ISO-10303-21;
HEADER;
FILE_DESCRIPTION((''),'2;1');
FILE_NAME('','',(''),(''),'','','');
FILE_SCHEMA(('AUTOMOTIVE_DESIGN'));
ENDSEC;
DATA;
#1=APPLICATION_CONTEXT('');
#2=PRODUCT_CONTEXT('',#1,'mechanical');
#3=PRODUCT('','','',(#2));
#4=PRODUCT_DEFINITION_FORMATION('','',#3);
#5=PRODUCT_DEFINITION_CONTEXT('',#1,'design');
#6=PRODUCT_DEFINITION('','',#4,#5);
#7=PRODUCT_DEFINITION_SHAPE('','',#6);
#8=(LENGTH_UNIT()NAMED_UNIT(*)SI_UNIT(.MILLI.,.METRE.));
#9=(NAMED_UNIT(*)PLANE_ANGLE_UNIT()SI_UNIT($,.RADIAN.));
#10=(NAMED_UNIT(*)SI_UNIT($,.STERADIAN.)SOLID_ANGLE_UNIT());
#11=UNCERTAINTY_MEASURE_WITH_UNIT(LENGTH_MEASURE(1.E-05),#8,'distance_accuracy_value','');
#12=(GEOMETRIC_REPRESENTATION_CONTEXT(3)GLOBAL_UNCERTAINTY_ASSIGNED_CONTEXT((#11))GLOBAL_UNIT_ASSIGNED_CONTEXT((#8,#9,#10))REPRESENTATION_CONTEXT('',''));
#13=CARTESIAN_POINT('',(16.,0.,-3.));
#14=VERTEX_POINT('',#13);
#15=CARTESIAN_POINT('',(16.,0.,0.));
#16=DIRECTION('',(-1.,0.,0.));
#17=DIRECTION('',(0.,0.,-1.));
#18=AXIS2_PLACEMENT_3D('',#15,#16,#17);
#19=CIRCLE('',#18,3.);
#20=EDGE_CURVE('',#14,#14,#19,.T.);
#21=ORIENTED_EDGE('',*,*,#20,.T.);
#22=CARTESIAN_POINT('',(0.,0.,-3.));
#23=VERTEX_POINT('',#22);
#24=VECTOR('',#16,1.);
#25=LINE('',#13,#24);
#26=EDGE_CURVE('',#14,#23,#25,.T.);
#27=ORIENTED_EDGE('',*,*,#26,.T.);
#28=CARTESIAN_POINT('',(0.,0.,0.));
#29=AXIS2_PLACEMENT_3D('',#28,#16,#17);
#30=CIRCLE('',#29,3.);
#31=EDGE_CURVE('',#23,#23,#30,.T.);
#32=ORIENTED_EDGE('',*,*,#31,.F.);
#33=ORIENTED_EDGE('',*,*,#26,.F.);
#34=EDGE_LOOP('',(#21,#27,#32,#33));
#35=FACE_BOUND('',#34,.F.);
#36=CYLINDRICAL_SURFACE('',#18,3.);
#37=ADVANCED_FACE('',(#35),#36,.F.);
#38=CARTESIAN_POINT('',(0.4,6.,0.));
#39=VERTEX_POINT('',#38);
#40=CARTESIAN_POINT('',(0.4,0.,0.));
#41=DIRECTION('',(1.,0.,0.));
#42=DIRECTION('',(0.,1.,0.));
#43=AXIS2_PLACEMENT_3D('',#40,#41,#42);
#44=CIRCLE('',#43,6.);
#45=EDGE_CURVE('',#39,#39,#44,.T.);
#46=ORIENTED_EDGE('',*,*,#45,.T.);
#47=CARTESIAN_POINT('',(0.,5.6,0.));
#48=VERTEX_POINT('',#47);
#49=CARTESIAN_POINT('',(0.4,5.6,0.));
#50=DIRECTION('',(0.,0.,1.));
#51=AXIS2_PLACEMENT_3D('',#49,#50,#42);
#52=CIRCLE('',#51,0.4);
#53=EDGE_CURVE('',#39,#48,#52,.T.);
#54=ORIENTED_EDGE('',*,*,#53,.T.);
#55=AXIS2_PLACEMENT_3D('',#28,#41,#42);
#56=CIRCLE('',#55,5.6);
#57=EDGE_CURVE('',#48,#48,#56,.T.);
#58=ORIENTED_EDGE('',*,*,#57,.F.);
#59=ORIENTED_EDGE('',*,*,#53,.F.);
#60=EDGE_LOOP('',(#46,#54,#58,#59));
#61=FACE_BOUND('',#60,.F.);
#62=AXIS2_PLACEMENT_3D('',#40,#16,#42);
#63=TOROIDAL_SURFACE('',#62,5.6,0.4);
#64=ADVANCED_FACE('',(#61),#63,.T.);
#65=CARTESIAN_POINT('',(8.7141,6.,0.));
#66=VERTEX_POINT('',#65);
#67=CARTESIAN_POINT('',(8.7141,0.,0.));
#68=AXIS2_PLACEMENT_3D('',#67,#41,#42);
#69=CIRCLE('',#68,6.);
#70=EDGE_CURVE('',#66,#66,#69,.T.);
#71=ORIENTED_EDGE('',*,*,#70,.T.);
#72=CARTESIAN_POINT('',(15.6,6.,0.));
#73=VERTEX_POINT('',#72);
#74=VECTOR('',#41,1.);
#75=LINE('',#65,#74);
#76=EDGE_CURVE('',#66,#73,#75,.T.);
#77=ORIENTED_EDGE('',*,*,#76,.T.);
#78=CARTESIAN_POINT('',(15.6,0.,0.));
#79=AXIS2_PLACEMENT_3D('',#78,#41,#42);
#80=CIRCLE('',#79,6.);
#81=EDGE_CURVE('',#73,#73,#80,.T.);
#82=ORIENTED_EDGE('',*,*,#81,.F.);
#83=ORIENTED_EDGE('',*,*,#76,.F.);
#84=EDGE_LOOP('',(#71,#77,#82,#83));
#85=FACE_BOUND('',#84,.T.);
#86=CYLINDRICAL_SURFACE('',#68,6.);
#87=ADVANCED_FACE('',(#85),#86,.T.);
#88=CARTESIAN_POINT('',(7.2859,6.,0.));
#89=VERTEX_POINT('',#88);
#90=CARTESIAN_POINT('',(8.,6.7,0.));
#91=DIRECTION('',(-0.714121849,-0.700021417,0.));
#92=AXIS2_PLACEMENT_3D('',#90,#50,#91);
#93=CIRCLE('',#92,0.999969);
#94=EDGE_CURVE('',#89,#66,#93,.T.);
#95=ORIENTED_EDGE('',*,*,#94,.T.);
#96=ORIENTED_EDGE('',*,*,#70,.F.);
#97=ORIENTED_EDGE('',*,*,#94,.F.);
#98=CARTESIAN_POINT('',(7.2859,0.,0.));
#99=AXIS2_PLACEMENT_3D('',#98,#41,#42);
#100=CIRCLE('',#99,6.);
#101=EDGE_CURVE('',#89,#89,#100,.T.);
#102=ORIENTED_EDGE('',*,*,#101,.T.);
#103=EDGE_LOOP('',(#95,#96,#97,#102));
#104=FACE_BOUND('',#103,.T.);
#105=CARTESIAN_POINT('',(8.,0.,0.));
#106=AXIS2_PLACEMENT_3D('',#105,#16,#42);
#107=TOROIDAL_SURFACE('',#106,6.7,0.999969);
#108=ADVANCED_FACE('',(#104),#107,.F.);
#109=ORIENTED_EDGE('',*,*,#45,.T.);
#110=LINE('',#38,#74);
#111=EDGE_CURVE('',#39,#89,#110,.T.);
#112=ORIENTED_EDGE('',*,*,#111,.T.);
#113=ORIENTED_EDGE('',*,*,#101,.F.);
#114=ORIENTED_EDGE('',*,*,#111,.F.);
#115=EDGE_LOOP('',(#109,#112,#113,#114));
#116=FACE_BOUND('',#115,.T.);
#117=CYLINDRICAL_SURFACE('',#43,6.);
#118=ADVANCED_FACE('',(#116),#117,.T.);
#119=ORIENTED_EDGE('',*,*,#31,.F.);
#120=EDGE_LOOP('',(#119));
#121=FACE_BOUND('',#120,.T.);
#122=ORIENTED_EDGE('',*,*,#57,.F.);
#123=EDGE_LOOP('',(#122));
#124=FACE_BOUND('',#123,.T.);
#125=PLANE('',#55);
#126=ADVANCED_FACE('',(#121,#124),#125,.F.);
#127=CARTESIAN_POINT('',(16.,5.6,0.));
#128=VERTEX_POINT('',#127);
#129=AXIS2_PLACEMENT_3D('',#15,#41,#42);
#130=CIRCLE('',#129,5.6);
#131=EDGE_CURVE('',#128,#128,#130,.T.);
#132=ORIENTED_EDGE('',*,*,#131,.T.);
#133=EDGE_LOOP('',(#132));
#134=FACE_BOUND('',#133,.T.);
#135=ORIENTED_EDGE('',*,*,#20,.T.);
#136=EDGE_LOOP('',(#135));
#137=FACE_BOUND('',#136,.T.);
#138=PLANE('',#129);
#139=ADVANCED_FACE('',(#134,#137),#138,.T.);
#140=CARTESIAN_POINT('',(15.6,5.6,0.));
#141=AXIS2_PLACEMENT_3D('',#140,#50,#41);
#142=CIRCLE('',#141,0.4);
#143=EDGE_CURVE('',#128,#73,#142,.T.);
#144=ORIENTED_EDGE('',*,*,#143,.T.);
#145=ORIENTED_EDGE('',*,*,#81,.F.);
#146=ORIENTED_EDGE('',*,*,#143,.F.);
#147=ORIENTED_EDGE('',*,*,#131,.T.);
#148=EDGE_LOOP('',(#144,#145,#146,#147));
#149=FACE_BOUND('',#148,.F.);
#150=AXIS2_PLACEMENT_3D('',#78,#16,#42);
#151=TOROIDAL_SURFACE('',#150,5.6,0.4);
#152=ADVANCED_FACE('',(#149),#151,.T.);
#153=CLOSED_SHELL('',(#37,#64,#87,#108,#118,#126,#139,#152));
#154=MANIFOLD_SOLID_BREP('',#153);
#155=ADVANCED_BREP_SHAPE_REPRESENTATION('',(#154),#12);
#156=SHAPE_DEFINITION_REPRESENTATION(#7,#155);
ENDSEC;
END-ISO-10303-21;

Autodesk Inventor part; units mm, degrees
ref_plane "YZ Plane" through (0, 0, 0) normal (1, 0, 0) x (0, 1, 0)
ref_plane "XZ Plane" through (0, 0, 0) normal (0, 1, 0) x (-1, 0, 0)
ref_plane "XY Plane" through (0, 0, 0) normal (0, 0, 1) x (1, 0, 0)
sketch "Sketch_1" plane through (0, 0, 0) normal (0, 0, 1) x (1, 0, 0)
  line L0 (16, 0) -> (0, 0)
  line L1 (0, 0) -> (0, 5.6)
  arc A0 (0.4, 6) -> (0, 5.6) centre (0.4, 5.6) ccw
  line L2 (0.4, 6) -> (7.2859, 6)
  arc A1 (7.2859, 6) -> (8.7141, 6) centre (8, 6.7) ccw
  line L3 (8.7141, 6) -> (15.6, 6)
  arc A2 (16, 5.6) -> (15.6, 6) centre (15.6, 5.6) ccw
  line L4 (16, 5.6) -> (16, 0)
  line L5 (16, 0) -> (0, 0)
revolve "Revolution1" add sketch "Sketch_1" angle 360 about axis through (16, 0, 0) along (1, 0, 0)
sketch "Sketch2" plane through (16, 0, 0) normal (1, 0, 0) x (0, 0, -1)
  point P0 (0, 0)
hole "Hole1" at (16, 0, 0) direction (-1, 0, 0) diameter 6 depth 16
properties part number "LMUT6" material "鉄、鋳鉄"
